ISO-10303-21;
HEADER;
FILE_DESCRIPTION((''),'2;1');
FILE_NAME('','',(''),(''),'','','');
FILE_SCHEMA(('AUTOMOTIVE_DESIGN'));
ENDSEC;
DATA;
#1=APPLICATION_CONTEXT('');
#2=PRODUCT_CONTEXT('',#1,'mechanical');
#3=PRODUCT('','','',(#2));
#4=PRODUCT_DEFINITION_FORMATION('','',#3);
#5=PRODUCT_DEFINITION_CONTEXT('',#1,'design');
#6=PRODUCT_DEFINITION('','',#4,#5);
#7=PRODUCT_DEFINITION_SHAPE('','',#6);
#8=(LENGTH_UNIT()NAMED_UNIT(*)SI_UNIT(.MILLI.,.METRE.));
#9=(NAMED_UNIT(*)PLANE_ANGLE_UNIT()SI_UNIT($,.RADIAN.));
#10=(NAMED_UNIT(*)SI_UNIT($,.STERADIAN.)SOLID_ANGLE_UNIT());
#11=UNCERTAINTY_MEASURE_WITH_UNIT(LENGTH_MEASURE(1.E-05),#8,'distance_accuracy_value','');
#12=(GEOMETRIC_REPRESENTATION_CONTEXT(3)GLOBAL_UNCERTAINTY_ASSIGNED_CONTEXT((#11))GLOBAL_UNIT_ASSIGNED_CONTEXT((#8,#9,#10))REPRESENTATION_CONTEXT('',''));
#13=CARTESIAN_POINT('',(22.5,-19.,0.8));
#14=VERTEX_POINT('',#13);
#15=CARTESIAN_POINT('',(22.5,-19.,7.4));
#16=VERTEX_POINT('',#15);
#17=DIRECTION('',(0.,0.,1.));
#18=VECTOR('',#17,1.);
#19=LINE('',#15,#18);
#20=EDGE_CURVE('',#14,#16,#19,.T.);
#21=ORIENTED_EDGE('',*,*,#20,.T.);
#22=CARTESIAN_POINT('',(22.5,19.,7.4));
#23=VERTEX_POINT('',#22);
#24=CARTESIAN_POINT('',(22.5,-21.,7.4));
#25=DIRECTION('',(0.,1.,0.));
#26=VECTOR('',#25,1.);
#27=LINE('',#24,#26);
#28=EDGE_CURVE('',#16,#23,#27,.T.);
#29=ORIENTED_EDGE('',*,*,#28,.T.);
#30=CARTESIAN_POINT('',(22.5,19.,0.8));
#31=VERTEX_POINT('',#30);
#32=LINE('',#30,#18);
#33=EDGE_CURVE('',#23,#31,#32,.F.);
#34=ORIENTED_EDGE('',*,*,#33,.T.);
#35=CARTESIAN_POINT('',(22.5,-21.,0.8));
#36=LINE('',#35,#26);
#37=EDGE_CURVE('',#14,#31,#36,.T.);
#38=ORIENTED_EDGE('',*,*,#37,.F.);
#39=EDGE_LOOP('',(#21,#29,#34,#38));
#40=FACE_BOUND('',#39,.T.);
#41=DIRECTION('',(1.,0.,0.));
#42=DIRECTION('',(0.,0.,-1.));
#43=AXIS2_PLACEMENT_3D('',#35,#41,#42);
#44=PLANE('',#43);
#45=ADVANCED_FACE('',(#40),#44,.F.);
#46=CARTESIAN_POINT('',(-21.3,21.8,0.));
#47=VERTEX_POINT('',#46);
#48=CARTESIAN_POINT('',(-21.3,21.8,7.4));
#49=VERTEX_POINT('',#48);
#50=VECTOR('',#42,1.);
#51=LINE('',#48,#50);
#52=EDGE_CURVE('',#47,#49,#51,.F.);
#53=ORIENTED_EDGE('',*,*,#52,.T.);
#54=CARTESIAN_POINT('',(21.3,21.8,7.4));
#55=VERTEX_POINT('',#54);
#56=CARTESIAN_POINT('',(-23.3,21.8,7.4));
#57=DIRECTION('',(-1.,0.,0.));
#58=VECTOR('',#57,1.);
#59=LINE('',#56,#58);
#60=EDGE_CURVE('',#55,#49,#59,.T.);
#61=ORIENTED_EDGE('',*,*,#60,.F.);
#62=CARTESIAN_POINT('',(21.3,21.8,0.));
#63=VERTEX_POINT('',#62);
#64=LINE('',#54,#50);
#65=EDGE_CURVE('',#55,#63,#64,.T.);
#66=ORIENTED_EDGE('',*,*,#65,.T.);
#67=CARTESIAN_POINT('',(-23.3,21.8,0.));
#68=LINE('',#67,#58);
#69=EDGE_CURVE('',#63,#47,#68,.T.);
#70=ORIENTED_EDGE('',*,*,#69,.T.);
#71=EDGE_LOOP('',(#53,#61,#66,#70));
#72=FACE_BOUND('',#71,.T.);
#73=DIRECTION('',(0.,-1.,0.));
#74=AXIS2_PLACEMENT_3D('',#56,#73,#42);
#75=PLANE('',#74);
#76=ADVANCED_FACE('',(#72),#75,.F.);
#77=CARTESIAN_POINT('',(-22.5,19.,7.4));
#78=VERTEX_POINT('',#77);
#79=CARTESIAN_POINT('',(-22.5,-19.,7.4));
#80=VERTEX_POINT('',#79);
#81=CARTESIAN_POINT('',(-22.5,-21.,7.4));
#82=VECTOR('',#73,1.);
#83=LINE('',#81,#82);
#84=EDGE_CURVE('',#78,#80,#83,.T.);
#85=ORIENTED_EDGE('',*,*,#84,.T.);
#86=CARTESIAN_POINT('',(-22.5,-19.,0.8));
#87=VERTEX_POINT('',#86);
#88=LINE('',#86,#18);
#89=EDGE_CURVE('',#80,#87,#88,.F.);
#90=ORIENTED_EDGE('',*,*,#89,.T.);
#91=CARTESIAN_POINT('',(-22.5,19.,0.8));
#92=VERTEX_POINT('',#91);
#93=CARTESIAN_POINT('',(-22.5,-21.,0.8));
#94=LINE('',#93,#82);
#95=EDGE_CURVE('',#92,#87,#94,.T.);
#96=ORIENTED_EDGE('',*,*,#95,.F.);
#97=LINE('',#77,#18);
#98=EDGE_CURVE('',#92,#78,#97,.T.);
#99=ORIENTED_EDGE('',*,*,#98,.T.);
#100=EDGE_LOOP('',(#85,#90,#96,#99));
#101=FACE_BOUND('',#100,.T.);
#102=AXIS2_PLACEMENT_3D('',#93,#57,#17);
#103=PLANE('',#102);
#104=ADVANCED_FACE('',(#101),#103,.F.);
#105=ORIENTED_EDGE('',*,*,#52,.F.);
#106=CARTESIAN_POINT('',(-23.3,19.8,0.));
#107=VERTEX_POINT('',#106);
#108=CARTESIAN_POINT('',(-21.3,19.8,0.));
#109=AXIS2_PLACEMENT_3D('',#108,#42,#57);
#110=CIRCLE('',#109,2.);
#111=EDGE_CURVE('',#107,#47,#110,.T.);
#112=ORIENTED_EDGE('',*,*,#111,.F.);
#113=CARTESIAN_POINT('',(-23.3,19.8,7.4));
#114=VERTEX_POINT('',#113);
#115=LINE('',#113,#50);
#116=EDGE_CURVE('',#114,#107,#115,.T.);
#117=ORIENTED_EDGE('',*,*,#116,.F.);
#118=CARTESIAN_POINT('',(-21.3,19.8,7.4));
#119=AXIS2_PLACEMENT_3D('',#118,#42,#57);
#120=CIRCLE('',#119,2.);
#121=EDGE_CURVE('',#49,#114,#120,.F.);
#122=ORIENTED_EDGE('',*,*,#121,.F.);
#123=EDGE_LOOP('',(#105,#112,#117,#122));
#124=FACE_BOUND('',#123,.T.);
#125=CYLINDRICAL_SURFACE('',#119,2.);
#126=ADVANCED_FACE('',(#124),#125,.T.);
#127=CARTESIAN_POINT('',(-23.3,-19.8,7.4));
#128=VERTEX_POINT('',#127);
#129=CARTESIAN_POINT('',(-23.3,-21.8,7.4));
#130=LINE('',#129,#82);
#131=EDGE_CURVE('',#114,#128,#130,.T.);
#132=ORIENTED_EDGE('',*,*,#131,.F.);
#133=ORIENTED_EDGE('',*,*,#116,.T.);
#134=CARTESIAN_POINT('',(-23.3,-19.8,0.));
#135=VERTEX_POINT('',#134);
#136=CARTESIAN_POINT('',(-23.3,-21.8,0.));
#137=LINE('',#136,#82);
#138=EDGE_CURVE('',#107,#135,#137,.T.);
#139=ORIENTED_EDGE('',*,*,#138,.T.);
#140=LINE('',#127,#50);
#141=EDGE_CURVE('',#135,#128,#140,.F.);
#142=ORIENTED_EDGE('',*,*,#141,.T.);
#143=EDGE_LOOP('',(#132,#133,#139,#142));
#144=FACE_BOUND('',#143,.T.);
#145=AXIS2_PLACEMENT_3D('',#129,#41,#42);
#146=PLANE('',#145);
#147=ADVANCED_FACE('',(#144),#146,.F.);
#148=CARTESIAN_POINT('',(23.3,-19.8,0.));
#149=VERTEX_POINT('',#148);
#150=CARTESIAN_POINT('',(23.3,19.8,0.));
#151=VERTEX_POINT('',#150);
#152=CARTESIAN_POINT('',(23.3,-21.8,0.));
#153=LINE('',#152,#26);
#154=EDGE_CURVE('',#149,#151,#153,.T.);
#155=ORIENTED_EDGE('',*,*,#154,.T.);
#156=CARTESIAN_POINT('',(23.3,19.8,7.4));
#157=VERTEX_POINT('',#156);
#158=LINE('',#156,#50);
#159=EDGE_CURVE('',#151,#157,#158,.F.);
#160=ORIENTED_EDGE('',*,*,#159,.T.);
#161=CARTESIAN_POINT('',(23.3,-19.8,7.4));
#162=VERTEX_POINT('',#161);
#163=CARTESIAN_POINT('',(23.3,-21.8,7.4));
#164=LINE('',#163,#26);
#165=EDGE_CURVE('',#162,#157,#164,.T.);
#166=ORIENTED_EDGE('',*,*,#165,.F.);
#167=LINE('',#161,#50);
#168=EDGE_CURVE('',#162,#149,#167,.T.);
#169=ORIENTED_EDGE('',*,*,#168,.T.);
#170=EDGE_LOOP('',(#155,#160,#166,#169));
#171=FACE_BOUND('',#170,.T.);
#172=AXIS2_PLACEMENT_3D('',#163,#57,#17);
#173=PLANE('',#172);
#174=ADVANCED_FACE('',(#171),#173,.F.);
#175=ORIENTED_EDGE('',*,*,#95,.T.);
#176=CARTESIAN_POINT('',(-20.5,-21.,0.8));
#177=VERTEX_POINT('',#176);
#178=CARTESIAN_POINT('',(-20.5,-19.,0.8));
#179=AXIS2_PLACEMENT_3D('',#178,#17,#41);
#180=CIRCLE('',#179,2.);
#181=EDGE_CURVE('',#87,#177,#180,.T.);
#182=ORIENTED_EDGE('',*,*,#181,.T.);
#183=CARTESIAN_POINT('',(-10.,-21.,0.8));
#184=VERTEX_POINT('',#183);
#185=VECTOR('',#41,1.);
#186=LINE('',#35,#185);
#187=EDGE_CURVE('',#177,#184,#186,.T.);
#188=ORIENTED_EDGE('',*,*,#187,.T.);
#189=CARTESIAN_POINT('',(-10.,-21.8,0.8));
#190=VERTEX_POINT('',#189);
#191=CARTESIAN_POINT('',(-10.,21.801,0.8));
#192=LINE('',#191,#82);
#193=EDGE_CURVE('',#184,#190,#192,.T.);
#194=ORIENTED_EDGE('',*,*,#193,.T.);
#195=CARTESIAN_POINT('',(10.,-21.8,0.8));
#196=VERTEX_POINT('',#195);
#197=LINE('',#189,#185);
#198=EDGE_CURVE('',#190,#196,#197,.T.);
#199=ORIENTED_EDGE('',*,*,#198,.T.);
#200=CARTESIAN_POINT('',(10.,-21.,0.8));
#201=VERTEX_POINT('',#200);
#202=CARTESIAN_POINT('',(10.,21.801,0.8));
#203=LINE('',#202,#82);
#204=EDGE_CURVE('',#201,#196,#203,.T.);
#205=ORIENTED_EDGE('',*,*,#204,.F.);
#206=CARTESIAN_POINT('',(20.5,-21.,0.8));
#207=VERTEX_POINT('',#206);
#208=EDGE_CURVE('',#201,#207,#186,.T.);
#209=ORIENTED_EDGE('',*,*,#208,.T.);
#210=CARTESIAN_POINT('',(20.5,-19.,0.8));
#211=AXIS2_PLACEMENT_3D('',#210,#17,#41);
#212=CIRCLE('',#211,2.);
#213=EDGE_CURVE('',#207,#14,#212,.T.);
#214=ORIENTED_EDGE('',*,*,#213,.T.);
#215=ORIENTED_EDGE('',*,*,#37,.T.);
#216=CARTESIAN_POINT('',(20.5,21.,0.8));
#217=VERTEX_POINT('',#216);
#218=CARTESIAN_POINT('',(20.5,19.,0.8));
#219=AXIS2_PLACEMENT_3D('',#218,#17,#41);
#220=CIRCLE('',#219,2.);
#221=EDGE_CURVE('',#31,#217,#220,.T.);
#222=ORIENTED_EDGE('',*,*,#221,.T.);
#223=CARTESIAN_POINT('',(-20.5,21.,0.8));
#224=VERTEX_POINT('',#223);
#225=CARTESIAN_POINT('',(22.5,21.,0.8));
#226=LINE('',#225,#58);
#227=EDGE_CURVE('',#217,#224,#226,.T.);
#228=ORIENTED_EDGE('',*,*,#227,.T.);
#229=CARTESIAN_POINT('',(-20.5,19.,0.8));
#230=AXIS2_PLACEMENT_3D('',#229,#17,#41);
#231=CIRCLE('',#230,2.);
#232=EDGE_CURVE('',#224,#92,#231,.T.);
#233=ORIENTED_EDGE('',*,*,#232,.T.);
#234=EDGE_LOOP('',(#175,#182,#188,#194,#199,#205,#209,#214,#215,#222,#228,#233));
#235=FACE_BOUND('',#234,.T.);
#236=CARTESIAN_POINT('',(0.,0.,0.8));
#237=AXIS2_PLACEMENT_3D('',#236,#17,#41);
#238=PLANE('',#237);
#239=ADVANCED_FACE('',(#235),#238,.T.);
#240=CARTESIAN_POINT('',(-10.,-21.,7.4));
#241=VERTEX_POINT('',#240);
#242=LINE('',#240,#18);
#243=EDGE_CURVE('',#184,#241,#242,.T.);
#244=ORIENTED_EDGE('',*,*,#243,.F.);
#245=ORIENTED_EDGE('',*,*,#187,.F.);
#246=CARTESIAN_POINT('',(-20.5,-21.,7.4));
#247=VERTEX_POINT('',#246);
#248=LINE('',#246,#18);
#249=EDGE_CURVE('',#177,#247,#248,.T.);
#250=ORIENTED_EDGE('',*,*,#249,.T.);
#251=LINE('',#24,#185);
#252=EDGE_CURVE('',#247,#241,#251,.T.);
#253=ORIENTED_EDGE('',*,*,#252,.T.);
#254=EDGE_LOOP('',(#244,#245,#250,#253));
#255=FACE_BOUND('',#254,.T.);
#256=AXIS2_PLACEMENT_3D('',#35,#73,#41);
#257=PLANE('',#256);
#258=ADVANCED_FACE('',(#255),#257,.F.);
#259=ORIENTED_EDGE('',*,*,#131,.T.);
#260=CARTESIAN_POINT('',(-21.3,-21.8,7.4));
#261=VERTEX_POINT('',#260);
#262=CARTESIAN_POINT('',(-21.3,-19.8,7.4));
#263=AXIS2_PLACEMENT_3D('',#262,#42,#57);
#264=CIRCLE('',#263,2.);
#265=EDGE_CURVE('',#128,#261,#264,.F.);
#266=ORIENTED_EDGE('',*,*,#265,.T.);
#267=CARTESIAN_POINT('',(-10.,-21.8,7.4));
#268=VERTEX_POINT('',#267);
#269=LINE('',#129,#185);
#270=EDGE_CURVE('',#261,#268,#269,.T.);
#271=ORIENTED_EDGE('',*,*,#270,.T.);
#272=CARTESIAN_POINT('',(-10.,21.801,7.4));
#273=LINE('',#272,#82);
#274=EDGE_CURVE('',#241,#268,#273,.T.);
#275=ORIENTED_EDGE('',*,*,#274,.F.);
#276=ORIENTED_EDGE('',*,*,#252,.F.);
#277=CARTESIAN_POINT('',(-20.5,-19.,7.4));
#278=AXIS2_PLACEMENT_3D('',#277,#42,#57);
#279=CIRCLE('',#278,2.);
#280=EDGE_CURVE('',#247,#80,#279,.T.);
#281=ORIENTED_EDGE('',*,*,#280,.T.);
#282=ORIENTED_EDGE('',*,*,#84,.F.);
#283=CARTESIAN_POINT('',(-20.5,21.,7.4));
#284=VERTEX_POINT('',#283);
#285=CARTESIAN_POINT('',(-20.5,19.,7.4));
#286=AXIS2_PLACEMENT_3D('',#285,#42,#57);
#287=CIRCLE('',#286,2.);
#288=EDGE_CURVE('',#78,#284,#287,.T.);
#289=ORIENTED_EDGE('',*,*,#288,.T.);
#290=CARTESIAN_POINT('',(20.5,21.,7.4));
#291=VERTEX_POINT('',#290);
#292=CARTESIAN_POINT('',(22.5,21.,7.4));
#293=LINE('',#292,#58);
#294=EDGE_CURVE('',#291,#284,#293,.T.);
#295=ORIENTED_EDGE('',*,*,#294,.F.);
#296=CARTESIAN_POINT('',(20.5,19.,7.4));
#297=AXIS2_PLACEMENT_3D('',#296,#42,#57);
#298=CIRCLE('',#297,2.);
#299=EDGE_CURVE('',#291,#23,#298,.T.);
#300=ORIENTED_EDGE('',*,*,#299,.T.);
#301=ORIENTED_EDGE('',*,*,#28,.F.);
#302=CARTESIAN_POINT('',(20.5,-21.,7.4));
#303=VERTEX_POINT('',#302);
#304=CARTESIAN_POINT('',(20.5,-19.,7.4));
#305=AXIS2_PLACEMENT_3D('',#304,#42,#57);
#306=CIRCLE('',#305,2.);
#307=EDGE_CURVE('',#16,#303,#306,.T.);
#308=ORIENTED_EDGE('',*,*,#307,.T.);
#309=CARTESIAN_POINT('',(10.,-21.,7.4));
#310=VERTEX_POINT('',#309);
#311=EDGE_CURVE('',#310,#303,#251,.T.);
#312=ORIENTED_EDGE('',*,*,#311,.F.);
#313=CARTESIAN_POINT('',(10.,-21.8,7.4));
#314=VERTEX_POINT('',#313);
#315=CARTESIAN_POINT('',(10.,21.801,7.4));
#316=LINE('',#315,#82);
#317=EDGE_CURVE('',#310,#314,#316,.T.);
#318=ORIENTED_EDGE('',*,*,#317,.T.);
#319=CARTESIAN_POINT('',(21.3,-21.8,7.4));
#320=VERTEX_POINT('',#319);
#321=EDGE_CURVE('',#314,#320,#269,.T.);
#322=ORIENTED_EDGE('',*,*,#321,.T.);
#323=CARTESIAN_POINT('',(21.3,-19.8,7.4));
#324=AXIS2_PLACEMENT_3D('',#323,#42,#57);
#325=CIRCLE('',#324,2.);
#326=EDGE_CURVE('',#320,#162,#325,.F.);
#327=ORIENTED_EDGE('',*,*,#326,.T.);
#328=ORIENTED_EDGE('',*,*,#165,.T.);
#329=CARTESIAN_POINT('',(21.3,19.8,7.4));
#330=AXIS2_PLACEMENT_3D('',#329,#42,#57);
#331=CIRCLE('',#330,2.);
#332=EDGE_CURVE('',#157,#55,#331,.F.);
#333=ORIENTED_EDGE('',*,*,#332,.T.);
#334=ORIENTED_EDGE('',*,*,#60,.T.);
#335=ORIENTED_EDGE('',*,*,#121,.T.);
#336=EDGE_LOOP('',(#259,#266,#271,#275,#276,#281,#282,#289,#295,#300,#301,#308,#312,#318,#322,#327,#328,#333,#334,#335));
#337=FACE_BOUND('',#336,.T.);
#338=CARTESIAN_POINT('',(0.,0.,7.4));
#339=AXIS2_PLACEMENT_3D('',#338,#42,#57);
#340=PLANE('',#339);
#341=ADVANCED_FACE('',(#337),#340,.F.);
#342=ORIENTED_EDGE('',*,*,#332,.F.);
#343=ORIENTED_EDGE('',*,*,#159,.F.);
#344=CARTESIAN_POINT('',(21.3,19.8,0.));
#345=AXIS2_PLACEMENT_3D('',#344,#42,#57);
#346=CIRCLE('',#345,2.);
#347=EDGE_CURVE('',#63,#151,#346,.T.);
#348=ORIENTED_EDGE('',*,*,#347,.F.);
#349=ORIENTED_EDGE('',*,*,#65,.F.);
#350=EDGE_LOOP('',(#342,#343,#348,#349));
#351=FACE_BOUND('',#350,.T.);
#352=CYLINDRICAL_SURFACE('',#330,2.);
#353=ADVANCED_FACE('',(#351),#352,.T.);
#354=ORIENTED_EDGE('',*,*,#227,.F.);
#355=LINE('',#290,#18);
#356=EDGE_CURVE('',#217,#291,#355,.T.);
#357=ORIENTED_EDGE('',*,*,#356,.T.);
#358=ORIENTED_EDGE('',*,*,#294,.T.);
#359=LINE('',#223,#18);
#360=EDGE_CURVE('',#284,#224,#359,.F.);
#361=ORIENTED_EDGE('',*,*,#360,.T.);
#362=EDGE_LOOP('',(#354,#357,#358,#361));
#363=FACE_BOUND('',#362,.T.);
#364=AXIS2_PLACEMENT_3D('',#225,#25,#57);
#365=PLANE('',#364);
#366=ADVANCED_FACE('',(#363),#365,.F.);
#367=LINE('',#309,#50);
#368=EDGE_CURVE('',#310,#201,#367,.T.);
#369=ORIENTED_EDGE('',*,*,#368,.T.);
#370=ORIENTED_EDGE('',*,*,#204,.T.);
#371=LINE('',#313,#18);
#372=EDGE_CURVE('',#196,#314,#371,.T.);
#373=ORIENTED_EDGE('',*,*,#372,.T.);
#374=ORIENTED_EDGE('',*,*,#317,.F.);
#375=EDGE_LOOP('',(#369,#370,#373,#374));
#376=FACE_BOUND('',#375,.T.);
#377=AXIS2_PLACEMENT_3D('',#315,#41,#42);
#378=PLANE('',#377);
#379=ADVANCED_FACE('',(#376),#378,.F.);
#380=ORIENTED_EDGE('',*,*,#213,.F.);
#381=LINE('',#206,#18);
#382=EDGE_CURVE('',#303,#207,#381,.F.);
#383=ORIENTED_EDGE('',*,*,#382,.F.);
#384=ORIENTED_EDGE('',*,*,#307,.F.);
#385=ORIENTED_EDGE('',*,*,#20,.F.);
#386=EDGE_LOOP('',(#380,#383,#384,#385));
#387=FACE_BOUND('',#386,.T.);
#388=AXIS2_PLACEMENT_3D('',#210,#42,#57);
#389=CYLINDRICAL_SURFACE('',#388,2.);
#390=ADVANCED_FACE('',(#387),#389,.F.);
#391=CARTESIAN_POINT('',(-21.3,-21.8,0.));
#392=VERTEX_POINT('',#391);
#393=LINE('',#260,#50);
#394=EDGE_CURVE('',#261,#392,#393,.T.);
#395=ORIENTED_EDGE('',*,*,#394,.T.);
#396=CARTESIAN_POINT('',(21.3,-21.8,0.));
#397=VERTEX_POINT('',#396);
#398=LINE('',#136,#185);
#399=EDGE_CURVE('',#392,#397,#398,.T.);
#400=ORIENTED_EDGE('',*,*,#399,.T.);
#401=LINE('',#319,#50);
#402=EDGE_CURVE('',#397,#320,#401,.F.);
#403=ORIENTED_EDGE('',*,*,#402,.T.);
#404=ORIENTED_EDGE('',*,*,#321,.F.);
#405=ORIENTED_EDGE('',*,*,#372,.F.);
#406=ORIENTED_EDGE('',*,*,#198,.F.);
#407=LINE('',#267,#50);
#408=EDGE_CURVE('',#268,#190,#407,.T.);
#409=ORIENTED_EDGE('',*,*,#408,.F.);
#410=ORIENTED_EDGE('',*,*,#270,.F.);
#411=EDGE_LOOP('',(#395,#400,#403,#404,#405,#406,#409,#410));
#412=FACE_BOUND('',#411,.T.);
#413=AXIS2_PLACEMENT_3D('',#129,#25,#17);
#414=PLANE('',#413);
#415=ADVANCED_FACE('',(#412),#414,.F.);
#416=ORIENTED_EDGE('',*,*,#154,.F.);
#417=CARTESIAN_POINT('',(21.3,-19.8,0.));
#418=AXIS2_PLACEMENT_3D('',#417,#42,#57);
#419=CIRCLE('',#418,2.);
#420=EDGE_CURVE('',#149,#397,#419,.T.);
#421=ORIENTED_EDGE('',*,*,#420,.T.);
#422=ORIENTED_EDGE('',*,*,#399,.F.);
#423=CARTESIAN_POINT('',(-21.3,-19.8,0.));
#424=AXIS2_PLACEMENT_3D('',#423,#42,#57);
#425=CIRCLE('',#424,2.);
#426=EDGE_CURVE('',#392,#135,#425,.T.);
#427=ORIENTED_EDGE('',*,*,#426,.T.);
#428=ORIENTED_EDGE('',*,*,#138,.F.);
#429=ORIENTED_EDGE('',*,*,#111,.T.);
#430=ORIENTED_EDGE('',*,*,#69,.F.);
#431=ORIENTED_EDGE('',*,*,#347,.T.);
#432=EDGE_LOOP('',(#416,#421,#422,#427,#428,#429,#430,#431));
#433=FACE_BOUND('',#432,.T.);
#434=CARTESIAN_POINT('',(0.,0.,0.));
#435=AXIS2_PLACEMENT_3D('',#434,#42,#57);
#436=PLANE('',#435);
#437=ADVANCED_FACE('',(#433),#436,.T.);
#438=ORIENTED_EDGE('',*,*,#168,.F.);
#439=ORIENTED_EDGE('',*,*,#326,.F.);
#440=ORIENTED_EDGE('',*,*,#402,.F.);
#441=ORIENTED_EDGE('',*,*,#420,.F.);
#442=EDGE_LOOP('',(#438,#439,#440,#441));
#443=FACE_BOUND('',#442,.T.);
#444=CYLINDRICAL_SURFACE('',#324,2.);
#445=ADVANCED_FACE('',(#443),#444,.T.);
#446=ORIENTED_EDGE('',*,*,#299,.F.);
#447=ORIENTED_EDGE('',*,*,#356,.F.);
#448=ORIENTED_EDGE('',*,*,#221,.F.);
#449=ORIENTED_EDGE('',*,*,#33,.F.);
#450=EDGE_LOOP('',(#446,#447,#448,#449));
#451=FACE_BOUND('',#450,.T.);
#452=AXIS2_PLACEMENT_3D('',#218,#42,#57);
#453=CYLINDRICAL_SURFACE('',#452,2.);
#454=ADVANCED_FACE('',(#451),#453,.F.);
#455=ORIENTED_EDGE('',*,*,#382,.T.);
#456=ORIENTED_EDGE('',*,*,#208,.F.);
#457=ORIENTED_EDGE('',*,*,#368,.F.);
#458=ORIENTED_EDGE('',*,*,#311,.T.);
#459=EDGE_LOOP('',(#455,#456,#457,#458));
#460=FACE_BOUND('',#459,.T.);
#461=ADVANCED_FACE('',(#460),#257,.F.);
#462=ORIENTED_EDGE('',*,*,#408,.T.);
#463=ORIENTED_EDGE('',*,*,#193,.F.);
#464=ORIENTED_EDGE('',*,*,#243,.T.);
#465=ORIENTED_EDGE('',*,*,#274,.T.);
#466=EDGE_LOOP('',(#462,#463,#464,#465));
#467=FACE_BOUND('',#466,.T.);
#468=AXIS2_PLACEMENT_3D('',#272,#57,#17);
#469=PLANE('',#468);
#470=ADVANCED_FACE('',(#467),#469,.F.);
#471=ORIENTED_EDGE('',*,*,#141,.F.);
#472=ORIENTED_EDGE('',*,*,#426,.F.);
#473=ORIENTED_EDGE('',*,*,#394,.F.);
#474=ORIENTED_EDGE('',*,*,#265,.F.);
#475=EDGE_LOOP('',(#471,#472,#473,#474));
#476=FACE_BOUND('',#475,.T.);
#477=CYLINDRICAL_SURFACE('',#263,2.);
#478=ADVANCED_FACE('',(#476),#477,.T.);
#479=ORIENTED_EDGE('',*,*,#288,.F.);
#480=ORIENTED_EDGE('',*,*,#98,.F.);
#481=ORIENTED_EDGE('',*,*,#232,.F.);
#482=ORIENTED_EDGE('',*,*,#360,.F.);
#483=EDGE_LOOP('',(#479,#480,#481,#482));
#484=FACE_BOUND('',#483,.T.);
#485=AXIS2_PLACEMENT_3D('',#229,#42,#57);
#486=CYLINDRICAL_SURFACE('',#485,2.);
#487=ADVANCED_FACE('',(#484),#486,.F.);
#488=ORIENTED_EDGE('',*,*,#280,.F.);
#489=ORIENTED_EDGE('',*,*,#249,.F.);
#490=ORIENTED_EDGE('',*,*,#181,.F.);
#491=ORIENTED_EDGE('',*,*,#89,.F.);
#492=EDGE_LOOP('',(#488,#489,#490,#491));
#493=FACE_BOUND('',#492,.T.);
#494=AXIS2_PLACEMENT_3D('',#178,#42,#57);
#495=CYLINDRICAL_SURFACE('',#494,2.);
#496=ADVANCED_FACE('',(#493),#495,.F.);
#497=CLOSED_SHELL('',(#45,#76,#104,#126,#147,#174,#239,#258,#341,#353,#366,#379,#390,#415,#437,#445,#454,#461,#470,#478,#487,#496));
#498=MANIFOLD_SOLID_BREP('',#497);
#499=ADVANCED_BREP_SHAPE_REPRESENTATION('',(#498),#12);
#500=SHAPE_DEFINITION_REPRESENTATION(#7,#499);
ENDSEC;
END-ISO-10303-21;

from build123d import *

# Parameters (mm, degrees)
SKETCH_1_W          = 46.6
SKETCH_1_H          = 43.6
EXTRUDE_1_DEPTH     = 7.4
SKETCH_2_W          = 45
SKETCH_2_H          = 42
CUT_EXTRUDE_1_DEPTH = 6.6
CUT_EXTRUDE_3_REACH = 45.6
SKETCH_3_W          = 20
SKETCH_3_H          = 6.6
FILLET_1_R          = 2


with BuildPart() as part:
    # ｽｹｯﾁ1 → ﾎﾞｽ - 押し出し1 (new body)
    with BuildSketch(Plane.XY):
        Rectangle(SKETCH_1_W, SKETCH_1_H)
    extrude(amount=EXTRUDE_1_DEPTH)

    # ｽｹｯﾁ2 → ｶｯﾄ - 押し出し1 (cut)
    with BuildSketch(Plane.XY.offset(7.4)):
        Rectangle(SKETCH_2_W, SKETCH_2_H)
    extrude(amount=-CUT_EXTRUDE_1_DEPTH, mode=Mode.SUBTRACT)

    # ｽｹｯﾁ3 → ｶｯﾄ - 押し出し3 (cut, up to next)
    with BuildSketch(Plane(origin=(0, -21.8, 0), x_dir=(-1, 0, 0), z_dir=(0, -1, 0)), mode=Mode.PRIVATE) as cut_extrude_3_sk1:
        with Locations((0, -4.1)):
            Rectangle(SKETCH_3_W, SKETCH_3_H)
    cut_extrude_3_tool1 = extrude(cut_extrude_3_sk1.sketch, amount=-CUT_EXTRUDE_3_REACH, mode=Mode.PRIVATE) & part.part
    add(cut_extrude_3_tool1.solids().sort_by_distance((0, -21.8, 4.1))[0], mode=Mode.SUBTRACT)

    # ﾌｨﾚｯﾄ1
    fillet_1_edges = [part.edges().sort_by_distance(p)[0] for p in [
        (-22.5, -21, 4.1),
        (-22.5, 21, 4.1),
        (22.5, 21, 4.1),
        (22.5, -21, 4.1),
        (23.3, -21.8, 3.7),
        (-23.3, -21.8, 3.7),
        (-23.3, 21.8, 3.7),
        (23.3, 21.8, 3.7),
    ]]
    fillet(fillet_1_edges, radius=FILLET_1_R)


solid = part.part
